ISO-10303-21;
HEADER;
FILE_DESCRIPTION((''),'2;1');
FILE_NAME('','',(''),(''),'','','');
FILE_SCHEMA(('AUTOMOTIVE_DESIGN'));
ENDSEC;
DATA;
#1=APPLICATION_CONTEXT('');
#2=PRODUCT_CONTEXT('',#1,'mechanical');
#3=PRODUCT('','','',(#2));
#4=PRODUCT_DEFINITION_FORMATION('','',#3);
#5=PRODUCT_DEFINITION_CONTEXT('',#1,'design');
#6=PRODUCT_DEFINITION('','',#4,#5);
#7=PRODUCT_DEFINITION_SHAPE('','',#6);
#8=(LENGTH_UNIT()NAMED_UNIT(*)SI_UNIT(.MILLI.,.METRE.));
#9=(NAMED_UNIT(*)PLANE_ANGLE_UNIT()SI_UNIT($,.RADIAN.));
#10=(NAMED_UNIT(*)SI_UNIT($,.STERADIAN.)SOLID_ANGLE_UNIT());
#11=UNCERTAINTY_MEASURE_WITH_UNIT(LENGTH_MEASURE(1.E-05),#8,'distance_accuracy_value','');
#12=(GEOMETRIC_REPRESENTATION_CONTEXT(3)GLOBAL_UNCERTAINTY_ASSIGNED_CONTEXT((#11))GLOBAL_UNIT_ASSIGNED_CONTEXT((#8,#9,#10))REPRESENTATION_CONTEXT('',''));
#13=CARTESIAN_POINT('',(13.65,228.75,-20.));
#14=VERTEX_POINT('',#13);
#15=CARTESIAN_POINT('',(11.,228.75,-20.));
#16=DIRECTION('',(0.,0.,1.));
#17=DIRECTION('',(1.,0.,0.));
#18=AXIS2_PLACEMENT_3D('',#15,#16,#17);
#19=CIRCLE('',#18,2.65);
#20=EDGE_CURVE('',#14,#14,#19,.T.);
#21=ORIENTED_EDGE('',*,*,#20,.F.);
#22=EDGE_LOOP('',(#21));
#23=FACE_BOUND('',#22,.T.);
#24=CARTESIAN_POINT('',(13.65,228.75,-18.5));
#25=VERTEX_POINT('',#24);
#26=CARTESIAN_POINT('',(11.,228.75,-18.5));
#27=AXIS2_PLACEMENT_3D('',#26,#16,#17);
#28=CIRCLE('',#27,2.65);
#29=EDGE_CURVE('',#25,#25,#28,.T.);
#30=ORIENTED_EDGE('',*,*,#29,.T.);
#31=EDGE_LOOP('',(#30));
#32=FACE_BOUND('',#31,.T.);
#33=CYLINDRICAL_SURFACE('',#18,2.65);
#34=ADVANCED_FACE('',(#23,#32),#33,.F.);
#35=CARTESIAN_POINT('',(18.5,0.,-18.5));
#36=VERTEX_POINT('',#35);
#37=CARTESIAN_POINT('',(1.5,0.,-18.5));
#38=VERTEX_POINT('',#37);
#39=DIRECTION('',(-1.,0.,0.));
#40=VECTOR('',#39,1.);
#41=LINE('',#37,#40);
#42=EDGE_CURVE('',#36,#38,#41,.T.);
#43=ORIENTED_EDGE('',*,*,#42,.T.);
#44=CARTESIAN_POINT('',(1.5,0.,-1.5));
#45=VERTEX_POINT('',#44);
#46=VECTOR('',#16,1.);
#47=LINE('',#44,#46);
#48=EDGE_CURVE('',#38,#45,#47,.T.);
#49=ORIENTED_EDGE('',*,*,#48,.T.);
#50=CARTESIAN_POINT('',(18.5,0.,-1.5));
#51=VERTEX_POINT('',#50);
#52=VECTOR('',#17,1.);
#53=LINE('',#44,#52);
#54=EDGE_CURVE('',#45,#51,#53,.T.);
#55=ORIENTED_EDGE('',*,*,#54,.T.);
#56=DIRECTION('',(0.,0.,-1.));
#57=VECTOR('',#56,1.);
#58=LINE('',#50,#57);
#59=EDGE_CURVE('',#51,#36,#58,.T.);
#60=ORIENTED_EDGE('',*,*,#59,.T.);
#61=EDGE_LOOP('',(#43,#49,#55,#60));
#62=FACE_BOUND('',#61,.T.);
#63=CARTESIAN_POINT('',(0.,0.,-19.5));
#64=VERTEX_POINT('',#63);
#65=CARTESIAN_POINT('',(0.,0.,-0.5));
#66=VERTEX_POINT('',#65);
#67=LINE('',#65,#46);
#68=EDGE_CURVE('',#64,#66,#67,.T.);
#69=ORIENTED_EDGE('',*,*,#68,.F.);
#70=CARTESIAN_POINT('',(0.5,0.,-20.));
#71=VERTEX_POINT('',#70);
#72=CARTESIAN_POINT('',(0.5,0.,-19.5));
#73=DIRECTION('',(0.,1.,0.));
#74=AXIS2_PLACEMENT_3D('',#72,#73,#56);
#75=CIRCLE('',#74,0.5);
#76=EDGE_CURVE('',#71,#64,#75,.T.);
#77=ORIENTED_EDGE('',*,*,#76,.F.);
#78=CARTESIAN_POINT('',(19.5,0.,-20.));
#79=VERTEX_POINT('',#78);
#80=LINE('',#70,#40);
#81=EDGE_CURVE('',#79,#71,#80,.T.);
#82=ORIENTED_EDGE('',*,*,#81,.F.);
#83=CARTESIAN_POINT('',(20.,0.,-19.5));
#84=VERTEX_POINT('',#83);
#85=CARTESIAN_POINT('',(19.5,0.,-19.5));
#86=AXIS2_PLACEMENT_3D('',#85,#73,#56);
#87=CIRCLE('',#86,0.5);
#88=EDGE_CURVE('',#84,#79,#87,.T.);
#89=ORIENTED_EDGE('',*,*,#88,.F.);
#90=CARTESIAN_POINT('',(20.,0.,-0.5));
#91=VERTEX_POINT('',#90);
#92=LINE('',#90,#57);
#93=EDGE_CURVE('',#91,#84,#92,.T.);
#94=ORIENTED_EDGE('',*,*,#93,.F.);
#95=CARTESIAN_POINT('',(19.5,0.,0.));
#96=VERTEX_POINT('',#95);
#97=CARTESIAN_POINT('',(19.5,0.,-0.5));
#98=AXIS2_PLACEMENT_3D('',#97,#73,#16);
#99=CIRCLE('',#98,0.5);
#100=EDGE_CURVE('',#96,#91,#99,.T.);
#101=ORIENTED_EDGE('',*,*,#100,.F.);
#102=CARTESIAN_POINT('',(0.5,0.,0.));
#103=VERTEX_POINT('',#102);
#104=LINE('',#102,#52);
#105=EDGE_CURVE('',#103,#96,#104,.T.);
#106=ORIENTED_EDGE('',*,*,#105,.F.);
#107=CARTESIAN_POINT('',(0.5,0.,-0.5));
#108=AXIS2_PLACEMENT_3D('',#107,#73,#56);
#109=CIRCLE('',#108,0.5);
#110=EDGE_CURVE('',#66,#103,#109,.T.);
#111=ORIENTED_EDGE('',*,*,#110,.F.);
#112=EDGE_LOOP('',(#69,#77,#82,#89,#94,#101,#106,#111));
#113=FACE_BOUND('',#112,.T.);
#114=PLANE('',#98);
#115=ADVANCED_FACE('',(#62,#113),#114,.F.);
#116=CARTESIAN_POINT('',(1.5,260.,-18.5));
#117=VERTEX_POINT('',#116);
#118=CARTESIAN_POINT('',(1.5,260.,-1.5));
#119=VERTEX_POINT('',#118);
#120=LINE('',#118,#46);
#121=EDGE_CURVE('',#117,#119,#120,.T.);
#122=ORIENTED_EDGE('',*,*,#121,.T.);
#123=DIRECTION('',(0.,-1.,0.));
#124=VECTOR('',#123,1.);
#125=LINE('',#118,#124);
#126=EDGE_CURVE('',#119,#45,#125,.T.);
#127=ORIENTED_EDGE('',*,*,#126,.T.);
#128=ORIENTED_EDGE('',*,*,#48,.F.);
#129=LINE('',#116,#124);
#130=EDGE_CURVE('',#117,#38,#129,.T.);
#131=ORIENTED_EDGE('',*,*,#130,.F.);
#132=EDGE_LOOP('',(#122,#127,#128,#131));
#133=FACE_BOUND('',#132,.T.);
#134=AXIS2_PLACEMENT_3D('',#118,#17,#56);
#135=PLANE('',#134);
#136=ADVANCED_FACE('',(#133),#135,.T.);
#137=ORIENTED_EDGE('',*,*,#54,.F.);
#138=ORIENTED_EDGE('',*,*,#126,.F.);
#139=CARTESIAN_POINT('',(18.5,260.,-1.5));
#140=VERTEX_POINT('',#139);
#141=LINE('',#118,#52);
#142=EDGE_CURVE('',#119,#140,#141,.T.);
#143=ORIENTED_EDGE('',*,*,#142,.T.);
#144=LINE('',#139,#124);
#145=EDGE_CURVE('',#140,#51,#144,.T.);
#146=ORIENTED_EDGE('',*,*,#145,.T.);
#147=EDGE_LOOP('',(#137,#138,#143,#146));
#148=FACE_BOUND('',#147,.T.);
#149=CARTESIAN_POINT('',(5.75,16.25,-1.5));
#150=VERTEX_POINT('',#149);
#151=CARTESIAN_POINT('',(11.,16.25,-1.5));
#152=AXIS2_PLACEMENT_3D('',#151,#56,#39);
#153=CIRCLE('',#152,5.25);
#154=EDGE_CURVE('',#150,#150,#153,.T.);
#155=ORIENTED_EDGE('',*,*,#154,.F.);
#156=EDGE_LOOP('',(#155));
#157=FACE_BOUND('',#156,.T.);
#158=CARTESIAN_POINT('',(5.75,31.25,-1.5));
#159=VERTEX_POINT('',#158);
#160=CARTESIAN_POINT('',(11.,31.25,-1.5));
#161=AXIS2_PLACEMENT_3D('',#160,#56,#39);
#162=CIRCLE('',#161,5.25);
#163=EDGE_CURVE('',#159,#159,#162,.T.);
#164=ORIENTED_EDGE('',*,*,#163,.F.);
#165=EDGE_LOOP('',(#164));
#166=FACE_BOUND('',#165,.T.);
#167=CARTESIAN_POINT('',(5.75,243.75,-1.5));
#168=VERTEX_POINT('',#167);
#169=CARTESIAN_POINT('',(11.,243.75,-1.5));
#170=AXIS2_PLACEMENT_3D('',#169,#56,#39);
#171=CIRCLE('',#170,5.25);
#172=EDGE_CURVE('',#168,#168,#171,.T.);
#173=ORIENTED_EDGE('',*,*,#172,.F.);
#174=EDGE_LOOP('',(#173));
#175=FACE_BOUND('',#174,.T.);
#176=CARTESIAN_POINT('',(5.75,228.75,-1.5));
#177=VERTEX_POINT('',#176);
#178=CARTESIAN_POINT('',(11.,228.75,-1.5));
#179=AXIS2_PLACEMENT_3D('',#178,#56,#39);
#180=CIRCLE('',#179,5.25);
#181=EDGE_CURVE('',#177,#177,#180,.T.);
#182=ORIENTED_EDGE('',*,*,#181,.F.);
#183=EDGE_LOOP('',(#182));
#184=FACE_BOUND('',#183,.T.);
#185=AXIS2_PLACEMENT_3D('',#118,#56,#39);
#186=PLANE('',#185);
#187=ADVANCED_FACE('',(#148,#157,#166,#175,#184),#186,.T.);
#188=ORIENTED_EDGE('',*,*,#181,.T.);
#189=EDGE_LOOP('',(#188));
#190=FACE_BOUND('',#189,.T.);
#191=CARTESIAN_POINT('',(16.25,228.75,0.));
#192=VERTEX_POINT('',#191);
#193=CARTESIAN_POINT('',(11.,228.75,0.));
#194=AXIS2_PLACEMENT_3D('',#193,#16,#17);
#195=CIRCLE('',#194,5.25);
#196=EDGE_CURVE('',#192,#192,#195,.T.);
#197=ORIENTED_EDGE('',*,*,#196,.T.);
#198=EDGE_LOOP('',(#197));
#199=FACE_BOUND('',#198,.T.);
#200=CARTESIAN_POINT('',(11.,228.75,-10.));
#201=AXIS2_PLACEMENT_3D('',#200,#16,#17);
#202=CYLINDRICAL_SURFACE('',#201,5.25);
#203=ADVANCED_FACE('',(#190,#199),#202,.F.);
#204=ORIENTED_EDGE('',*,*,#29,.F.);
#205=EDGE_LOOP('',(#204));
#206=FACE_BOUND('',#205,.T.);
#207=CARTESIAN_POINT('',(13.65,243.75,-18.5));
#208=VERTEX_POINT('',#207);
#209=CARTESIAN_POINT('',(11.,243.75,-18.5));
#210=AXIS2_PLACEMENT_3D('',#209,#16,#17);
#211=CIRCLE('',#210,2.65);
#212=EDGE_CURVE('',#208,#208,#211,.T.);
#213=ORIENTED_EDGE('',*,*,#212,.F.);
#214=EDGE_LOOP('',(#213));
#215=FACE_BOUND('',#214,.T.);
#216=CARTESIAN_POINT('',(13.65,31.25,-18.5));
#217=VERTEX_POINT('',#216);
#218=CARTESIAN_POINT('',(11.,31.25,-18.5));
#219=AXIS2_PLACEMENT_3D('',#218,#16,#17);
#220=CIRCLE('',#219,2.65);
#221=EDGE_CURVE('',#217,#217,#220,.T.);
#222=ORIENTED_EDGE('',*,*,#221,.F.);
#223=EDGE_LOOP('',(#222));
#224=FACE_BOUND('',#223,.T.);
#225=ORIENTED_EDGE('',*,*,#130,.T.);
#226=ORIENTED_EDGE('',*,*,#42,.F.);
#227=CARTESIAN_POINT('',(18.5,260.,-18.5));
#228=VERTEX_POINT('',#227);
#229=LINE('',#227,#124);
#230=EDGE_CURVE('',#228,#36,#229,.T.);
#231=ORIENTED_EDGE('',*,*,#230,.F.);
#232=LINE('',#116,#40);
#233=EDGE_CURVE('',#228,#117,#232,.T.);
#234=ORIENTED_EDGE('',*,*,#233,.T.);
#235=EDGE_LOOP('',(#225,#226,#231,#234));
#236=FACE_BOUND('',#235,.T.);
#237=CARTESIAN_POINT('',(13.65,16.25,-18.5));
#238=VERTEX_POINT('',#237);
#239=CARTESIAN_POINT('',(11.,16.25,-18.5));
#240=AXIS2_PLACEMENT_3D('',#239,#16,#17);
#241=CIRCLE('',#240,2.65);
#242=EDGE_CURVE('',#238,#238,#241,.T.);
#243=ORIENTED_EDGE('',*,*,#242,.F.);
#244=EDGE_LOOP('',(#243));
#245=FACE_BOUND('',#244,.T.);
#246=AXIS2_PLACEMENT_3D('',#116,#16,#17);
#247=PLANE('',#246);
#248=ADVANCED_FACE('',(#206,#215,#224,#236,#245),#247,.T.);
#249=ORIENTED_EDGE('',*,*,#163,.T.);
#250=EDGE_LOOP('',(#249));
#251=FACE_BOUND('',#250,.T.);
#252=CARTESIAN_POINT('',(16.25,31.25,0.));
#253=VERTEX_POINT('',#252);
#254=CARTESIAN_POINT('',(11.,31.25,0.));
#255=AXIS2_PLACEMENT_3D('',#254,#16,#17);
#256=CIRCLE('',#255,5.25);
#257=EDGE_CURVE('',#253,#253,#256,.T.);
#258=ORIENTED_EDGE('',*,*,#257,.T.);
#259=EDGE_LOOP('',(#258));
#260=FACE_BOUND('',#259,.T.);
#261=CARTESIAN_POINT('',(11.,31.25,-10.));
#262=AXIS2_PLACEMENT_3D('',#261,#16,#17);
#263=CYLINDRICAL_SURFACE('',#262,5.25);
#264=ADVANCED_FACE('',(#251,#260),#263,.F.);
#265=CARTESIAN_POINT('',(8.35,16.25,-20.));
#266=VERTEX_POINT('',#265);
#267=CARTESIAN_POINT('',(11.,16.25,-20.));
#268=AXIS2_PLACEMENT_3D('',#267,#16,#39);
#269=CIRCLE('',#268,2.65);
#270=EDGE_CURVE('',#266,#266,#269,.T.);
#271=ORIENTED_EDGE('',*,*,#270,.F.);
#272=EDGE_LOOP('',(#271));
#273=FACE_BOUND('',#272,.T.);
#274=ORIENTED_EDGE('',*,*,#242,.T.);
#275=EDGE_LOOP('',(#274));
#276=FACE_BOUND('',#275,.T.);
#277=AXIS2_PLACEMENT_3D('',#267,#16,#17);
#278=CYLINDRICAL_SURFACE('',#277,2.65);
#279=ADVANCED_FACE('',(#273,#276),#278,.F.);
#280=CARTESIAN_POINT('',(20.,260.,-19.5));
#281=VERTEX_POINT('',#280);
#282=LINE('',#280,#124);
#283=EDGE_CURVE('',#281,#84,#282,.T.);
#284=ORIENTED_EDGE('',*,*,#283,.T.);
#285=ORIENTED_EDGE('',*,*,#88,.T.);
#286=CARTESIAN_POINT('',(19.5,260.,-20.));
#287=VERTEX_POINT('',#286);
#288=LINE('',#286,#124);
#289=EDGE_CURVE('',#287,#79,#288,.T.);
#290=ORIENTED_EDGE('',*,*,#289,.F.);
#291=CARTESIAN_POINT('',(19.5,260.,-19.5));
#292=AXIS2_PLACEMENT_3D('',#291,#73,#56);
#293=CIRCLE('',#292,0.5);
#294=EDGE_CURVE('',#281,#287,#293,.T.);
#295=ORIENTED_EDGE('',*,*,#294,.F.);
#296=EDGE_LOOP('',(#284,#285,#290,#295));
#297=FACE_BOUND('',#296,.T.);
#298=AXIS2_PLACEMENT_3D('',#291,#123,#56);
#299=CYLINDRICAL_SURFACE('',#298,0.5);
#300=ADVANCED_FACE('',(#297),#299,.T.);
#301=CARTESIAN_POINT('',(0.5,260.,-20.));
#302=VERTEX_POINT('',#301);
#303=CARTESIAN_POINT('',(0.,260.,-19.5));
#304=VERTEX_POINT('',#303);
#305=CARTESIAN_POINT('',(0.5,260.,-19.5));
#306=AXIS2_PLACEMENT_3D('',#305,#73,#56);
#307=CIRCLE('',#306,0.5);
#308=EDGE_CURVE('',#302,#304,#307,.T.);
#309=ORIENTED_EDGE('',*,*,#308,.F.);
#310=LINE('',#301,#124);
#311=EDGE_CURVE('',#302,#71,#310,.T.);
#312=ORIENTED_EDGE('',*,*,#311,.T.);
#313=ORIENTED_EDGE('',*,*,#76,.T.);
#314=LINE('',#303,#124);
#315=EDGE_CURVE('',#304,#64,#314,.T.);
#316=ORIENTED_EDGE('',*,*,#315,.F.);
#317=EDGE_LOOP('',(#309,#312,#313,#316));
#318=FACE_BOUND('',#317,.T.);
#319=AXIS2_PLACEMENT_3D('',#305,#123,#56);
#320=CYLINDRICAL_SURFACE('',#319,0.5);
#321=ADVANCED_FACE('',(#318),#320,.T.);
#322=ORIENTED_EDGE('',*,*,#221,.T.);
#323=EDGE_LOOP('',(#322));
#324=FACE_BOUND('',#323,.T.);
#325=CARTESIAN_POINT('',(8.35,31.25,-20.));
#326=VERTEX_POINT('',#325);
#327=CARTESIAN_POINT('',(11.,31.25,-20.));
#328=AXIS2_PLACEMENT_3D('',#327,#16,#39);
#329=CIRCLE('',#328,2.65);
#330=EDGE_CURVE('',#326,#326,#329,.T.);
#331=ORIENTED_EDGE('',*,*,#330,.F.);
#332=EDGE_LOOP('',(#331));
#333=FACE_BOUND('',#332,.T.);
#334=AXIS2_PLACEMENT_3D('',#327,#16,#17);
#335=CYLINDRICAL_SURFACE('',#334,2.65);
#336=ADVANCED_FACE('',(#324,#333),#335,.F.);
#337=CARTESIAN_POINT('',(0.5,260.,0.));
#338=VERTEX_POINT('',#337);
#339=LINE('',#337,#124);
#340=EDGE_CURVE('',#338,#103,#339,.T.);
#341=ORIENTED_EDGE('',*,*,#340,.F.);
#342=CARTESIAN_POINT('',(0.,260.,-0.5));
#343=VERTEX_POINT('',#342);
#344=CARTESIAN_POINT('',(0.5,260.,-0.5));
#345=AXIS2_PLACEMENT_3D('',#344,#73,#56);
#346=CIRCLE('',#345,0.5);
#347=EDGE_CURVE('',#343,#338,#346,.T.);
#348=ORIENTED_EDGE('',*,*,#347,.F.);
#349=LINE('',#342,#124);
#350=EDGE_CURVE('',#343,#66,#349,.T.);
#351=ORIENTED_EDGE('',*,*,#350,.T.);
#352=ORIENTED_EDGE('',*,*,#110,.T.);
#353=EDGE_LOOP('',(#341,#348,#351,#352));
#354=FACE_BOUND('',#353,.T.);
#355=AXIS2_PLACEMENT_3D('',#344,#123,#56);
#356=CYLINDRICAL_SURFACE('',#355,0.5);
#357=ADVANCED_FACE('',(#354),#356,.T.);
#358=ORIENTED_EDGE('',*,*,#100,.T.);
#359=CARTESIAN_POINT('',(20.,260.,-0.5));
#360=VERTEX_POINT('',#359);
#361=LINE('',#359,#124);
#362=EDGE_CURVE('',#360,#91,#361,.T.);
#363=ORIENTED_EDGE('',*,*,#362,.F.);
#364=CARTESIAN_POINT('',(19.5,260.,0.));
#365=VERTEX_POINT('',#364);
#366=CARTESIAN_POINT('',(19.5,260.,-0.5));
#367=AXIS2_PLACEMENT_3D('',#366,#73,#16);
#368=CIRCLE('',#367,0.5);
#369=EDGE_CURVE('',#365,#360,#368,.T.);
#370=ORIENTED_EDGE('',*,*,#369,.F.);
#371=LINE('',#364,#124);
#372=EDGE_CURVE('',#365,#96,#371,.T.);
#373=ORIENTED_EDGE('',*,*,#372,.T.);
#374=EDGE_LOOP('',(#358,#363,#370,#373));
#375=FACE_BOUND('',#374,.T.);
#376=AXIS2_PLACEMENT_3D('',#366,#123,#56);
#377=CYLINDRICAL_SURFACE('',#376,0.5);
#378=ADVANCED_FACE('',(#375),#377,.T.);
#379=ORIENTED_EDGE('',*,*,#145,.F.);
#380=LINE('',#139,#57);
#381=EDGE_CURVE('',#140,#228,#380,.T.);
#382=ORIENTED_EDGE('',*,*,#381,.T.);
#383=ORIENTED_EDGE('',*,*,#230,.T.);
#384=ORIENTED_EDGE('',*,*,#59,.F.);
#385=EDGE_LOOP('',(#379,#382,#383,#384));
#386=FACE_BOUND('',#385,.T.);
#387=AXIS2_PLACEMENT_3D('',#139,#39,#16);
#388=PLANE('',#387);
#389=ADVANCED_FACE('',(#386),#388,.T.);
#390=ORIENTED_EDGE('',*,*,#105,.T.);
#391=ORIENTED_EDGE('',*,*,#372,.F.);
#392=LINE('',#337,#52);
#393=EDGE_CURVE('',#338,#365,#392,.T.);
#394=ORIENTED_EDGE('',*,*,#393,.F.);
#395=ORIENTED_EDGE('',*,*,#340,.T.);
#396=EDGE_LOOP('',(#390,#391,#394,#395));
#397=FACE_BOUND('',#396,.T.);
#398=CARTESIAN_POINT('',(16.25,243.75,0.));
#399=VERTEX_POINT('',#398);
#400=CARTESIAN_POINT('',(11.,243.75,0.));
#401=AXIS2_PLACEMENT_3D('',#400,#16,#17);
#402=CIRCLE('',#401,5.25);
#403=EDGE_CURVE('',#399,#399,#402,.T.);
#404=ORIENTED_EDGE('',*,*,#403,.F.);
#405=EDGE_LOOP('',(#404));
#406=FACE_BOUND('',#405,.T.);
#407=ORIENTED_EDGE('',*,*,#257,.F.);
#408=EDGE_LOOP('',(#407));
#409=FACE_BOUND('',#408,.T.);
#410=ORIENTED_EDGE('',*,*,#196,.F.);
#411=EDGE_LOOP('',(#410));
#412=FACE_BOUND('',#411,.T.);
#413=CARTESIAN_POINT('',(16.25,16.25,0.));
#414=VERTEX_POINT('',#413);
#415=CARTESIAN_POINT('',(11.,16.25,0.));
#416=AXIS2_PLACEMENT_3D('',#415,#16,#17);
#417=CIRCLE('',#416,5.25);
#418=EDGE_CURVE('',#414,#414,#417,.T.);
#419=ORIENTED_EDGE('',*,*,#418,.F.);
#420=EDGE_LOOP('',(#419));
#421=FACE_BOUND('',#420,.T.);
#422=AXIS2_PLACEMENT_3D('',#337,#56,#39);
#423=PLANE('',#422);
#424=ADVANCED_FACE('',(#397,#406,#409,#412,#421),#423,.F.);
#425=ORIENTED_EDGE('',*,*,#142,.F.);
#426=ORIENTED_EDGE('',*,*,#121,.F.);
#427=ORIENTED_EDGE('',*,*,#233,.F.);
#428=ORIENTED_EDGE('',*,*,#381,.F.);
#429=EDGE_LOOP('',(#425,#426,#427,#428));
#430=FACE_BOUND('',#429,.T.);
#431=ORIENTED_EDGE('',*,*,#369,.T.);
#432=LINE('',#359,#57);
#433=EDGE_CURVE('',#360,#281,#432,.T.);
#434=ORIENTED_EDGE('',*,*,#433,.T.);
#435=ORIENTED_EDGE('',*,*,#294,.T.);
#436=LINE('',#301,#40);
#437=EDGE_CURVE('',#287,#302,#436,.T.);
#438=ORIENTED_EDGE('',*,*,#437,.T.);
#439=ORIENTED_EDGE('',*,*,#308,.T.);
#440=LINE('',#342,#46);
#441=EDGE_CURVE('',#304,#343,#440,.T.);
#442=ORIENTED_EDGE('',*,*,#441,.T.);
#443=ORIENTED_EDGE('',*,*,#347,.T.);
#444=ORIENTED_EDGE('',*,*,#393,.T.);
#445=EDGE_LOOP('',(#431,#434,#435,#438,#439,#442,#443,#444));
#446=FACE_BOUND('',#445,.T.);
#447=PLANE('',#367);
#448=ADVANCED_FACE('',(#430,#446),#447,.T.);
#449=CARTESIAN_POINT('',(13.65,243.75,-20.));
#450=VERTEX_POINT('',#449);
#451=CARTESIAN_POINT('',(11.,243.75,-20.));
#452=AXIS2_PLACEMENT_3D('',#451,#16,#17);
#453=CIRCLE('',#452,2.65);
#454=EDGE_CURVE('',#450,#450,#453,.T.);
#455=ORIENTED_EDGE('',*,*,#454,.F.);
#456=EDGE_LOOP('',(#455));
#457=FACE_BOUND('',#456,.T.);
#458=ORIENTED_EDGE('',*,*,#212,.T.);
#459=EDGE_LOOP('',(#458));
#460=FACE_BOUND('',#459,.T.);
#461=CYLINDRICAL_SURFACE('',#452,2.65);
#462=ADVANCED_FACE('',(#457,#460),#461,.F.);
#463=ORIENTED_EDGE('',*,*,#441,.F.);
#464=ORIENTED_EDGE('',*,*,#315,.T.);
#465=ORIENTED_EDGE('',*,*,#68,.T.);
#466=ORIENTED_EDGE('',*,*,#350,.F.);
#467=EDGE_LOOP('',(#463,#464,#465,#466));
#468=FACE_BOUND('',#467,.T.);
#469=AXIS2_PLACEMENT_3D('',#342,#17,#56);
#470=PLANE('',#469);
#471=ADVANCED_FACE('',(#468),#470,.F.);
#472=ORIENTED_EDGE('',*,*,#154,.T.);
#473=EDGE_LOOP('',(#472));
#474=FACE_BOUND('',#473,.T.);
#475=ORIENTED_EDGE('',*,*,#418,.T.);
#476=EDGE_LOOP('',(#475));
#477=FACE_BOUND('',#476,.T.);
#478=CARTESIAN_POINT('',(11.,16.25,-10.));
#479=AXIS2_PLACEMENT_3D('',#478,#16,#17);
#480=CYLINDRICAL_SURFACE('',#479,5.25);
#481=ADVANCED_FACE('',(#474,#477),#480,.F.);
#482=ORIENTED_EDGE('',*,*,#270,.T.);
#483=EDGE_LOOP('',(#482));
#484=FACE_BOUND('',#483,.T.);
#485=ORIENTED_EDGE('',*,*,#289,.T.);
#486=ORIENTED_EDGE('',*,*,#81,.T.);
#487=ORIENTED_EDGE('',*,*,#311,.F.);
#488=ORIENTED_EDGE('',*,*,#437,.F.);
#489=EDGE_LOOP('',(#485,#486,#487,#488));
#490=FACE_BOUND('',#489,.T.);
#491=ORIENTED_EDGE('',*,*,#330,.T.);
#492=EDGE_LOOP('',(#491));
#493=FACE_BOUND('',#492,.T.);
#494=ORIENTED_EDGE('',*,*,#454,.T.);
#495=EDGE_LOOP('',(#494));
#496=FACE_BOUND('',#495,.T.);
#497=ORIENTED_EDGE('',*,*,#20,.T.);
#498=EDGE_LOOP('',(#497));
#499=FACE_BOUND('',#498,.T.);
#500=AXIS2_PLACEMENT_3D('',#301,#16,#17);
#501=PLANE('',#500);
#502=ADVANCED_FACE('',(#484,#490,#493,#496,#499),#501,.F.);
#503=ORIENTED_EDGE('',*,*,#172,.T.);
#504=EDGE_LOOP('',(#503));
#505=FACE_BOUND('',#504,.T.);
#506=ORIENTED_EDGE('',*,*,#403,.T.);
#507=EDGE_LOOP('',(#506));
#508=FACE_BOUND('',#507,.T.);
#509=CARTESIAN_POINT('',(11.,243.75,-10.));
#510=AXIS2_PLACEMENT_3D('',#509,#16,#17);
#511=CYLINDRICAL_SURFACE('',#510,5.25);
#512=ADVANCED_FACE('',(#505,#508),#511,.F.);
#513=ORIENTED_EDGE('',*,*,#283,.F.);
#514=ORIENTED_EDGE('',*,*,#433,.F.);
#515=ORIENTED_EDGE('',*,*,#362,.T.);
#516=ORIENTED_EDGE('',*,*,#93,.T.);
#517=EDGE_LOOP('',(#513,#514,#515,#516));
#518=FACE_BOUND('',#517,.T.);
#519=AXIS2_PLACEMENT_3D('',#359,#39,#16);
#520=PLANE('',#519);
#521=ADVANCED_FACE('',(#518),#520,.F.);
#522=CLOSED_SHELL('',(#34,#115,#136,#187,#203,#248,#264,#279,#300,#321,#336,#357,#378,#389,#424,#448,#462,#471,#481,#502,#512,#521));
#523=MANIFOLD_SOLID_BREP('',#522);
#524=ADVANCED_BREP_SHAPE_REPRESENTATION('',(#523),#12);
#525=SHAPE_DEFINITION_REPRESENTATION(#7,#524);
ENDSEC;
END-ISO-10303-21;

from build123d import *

# Parameters (mm, degrees)
SKETCH1_W           = 17
SKETCH1_H           = 17
BOSS_EXTRUDE1_DEPTH = 260
SKETCH2_R           = 2.65
CUT_EXTRUDE1_DEPTH  = 262.533936612
SKETCH3_R           = 5.25
CUT_EXTRUDE2_DEPTH  = 10


with BuildPart() as part:
    # Sketch1 → Boss-Extrude1 (new body)
    with BuildSketch(Plane(origin=(0, 0, 0), x_dir=(1, 0, 0), z_dir=(0, 1, 0))):
        with BuildLine():
            Line((0.5, 0), (19.5, 0))
            ThreePointArc((19.5, 0), (19.853553391, 0.146446609), (20, 0.5))
            Line((20, 0.5), (20, 19.5))
            ThreePointArc((20, 19.5), (19.853553391, 19.853553391), (19.5, 20))
            Line((19.5, 20), (0.5, 20))
            ThreePointArc((0.5, 20), (0.146446609, 19.853553391), (0, 19.5))
            Line((0, 19.5), (0, 0.5))
            ThreePointArc((0, 0.5), (0.146446609, 0.146446609), (0.5, 0))
        make_face()
        with Locations((10, 10)):
            Rectangle(SKETCH1_W, SKETCH1_H, mode=Mode.SUBTRACT)
    extrude(amount=BOSS_EXTRUDE1_DEPTH)

    # Sketch2 → Cut-Extrude1 (cut, through all)
    with BuildSketch(Plane.XY):
        with Locations((11, 243.75)):
            Circle(SKETCH2_R)
        with Locations((11, 228.75)):
            Circle(SKETCH2_R)
        with Locations((11, 31.25)):
            Circle(SKETCH2_R)
        with Locations((11, 16.25)):
            Circle(SKETCH2_R)
    extrude(amount=-CUT_EXTRUDE1_DEPTH, mode=Mode.SUBTRACT)

    # Sketch3 → Cut-Extrude2 (cut)
    with BuildSketch(Plane.XY):
        with Locations((11, 243.75)):
            Circle(SKETCH3_R)
        with Locations((11, 228.75)):
            Circle(SKETCH3_R)
        with Locations((11, 31.25)):
            Circle(SKETCH3_R)
        with Locations((11, 16.25)):
            Circle(SKETCH3_R)
    extrude(amount=-CUT_EXTRUDE2_DEPTH, mode=Mode.SUBTRACT)


solid = part.part
